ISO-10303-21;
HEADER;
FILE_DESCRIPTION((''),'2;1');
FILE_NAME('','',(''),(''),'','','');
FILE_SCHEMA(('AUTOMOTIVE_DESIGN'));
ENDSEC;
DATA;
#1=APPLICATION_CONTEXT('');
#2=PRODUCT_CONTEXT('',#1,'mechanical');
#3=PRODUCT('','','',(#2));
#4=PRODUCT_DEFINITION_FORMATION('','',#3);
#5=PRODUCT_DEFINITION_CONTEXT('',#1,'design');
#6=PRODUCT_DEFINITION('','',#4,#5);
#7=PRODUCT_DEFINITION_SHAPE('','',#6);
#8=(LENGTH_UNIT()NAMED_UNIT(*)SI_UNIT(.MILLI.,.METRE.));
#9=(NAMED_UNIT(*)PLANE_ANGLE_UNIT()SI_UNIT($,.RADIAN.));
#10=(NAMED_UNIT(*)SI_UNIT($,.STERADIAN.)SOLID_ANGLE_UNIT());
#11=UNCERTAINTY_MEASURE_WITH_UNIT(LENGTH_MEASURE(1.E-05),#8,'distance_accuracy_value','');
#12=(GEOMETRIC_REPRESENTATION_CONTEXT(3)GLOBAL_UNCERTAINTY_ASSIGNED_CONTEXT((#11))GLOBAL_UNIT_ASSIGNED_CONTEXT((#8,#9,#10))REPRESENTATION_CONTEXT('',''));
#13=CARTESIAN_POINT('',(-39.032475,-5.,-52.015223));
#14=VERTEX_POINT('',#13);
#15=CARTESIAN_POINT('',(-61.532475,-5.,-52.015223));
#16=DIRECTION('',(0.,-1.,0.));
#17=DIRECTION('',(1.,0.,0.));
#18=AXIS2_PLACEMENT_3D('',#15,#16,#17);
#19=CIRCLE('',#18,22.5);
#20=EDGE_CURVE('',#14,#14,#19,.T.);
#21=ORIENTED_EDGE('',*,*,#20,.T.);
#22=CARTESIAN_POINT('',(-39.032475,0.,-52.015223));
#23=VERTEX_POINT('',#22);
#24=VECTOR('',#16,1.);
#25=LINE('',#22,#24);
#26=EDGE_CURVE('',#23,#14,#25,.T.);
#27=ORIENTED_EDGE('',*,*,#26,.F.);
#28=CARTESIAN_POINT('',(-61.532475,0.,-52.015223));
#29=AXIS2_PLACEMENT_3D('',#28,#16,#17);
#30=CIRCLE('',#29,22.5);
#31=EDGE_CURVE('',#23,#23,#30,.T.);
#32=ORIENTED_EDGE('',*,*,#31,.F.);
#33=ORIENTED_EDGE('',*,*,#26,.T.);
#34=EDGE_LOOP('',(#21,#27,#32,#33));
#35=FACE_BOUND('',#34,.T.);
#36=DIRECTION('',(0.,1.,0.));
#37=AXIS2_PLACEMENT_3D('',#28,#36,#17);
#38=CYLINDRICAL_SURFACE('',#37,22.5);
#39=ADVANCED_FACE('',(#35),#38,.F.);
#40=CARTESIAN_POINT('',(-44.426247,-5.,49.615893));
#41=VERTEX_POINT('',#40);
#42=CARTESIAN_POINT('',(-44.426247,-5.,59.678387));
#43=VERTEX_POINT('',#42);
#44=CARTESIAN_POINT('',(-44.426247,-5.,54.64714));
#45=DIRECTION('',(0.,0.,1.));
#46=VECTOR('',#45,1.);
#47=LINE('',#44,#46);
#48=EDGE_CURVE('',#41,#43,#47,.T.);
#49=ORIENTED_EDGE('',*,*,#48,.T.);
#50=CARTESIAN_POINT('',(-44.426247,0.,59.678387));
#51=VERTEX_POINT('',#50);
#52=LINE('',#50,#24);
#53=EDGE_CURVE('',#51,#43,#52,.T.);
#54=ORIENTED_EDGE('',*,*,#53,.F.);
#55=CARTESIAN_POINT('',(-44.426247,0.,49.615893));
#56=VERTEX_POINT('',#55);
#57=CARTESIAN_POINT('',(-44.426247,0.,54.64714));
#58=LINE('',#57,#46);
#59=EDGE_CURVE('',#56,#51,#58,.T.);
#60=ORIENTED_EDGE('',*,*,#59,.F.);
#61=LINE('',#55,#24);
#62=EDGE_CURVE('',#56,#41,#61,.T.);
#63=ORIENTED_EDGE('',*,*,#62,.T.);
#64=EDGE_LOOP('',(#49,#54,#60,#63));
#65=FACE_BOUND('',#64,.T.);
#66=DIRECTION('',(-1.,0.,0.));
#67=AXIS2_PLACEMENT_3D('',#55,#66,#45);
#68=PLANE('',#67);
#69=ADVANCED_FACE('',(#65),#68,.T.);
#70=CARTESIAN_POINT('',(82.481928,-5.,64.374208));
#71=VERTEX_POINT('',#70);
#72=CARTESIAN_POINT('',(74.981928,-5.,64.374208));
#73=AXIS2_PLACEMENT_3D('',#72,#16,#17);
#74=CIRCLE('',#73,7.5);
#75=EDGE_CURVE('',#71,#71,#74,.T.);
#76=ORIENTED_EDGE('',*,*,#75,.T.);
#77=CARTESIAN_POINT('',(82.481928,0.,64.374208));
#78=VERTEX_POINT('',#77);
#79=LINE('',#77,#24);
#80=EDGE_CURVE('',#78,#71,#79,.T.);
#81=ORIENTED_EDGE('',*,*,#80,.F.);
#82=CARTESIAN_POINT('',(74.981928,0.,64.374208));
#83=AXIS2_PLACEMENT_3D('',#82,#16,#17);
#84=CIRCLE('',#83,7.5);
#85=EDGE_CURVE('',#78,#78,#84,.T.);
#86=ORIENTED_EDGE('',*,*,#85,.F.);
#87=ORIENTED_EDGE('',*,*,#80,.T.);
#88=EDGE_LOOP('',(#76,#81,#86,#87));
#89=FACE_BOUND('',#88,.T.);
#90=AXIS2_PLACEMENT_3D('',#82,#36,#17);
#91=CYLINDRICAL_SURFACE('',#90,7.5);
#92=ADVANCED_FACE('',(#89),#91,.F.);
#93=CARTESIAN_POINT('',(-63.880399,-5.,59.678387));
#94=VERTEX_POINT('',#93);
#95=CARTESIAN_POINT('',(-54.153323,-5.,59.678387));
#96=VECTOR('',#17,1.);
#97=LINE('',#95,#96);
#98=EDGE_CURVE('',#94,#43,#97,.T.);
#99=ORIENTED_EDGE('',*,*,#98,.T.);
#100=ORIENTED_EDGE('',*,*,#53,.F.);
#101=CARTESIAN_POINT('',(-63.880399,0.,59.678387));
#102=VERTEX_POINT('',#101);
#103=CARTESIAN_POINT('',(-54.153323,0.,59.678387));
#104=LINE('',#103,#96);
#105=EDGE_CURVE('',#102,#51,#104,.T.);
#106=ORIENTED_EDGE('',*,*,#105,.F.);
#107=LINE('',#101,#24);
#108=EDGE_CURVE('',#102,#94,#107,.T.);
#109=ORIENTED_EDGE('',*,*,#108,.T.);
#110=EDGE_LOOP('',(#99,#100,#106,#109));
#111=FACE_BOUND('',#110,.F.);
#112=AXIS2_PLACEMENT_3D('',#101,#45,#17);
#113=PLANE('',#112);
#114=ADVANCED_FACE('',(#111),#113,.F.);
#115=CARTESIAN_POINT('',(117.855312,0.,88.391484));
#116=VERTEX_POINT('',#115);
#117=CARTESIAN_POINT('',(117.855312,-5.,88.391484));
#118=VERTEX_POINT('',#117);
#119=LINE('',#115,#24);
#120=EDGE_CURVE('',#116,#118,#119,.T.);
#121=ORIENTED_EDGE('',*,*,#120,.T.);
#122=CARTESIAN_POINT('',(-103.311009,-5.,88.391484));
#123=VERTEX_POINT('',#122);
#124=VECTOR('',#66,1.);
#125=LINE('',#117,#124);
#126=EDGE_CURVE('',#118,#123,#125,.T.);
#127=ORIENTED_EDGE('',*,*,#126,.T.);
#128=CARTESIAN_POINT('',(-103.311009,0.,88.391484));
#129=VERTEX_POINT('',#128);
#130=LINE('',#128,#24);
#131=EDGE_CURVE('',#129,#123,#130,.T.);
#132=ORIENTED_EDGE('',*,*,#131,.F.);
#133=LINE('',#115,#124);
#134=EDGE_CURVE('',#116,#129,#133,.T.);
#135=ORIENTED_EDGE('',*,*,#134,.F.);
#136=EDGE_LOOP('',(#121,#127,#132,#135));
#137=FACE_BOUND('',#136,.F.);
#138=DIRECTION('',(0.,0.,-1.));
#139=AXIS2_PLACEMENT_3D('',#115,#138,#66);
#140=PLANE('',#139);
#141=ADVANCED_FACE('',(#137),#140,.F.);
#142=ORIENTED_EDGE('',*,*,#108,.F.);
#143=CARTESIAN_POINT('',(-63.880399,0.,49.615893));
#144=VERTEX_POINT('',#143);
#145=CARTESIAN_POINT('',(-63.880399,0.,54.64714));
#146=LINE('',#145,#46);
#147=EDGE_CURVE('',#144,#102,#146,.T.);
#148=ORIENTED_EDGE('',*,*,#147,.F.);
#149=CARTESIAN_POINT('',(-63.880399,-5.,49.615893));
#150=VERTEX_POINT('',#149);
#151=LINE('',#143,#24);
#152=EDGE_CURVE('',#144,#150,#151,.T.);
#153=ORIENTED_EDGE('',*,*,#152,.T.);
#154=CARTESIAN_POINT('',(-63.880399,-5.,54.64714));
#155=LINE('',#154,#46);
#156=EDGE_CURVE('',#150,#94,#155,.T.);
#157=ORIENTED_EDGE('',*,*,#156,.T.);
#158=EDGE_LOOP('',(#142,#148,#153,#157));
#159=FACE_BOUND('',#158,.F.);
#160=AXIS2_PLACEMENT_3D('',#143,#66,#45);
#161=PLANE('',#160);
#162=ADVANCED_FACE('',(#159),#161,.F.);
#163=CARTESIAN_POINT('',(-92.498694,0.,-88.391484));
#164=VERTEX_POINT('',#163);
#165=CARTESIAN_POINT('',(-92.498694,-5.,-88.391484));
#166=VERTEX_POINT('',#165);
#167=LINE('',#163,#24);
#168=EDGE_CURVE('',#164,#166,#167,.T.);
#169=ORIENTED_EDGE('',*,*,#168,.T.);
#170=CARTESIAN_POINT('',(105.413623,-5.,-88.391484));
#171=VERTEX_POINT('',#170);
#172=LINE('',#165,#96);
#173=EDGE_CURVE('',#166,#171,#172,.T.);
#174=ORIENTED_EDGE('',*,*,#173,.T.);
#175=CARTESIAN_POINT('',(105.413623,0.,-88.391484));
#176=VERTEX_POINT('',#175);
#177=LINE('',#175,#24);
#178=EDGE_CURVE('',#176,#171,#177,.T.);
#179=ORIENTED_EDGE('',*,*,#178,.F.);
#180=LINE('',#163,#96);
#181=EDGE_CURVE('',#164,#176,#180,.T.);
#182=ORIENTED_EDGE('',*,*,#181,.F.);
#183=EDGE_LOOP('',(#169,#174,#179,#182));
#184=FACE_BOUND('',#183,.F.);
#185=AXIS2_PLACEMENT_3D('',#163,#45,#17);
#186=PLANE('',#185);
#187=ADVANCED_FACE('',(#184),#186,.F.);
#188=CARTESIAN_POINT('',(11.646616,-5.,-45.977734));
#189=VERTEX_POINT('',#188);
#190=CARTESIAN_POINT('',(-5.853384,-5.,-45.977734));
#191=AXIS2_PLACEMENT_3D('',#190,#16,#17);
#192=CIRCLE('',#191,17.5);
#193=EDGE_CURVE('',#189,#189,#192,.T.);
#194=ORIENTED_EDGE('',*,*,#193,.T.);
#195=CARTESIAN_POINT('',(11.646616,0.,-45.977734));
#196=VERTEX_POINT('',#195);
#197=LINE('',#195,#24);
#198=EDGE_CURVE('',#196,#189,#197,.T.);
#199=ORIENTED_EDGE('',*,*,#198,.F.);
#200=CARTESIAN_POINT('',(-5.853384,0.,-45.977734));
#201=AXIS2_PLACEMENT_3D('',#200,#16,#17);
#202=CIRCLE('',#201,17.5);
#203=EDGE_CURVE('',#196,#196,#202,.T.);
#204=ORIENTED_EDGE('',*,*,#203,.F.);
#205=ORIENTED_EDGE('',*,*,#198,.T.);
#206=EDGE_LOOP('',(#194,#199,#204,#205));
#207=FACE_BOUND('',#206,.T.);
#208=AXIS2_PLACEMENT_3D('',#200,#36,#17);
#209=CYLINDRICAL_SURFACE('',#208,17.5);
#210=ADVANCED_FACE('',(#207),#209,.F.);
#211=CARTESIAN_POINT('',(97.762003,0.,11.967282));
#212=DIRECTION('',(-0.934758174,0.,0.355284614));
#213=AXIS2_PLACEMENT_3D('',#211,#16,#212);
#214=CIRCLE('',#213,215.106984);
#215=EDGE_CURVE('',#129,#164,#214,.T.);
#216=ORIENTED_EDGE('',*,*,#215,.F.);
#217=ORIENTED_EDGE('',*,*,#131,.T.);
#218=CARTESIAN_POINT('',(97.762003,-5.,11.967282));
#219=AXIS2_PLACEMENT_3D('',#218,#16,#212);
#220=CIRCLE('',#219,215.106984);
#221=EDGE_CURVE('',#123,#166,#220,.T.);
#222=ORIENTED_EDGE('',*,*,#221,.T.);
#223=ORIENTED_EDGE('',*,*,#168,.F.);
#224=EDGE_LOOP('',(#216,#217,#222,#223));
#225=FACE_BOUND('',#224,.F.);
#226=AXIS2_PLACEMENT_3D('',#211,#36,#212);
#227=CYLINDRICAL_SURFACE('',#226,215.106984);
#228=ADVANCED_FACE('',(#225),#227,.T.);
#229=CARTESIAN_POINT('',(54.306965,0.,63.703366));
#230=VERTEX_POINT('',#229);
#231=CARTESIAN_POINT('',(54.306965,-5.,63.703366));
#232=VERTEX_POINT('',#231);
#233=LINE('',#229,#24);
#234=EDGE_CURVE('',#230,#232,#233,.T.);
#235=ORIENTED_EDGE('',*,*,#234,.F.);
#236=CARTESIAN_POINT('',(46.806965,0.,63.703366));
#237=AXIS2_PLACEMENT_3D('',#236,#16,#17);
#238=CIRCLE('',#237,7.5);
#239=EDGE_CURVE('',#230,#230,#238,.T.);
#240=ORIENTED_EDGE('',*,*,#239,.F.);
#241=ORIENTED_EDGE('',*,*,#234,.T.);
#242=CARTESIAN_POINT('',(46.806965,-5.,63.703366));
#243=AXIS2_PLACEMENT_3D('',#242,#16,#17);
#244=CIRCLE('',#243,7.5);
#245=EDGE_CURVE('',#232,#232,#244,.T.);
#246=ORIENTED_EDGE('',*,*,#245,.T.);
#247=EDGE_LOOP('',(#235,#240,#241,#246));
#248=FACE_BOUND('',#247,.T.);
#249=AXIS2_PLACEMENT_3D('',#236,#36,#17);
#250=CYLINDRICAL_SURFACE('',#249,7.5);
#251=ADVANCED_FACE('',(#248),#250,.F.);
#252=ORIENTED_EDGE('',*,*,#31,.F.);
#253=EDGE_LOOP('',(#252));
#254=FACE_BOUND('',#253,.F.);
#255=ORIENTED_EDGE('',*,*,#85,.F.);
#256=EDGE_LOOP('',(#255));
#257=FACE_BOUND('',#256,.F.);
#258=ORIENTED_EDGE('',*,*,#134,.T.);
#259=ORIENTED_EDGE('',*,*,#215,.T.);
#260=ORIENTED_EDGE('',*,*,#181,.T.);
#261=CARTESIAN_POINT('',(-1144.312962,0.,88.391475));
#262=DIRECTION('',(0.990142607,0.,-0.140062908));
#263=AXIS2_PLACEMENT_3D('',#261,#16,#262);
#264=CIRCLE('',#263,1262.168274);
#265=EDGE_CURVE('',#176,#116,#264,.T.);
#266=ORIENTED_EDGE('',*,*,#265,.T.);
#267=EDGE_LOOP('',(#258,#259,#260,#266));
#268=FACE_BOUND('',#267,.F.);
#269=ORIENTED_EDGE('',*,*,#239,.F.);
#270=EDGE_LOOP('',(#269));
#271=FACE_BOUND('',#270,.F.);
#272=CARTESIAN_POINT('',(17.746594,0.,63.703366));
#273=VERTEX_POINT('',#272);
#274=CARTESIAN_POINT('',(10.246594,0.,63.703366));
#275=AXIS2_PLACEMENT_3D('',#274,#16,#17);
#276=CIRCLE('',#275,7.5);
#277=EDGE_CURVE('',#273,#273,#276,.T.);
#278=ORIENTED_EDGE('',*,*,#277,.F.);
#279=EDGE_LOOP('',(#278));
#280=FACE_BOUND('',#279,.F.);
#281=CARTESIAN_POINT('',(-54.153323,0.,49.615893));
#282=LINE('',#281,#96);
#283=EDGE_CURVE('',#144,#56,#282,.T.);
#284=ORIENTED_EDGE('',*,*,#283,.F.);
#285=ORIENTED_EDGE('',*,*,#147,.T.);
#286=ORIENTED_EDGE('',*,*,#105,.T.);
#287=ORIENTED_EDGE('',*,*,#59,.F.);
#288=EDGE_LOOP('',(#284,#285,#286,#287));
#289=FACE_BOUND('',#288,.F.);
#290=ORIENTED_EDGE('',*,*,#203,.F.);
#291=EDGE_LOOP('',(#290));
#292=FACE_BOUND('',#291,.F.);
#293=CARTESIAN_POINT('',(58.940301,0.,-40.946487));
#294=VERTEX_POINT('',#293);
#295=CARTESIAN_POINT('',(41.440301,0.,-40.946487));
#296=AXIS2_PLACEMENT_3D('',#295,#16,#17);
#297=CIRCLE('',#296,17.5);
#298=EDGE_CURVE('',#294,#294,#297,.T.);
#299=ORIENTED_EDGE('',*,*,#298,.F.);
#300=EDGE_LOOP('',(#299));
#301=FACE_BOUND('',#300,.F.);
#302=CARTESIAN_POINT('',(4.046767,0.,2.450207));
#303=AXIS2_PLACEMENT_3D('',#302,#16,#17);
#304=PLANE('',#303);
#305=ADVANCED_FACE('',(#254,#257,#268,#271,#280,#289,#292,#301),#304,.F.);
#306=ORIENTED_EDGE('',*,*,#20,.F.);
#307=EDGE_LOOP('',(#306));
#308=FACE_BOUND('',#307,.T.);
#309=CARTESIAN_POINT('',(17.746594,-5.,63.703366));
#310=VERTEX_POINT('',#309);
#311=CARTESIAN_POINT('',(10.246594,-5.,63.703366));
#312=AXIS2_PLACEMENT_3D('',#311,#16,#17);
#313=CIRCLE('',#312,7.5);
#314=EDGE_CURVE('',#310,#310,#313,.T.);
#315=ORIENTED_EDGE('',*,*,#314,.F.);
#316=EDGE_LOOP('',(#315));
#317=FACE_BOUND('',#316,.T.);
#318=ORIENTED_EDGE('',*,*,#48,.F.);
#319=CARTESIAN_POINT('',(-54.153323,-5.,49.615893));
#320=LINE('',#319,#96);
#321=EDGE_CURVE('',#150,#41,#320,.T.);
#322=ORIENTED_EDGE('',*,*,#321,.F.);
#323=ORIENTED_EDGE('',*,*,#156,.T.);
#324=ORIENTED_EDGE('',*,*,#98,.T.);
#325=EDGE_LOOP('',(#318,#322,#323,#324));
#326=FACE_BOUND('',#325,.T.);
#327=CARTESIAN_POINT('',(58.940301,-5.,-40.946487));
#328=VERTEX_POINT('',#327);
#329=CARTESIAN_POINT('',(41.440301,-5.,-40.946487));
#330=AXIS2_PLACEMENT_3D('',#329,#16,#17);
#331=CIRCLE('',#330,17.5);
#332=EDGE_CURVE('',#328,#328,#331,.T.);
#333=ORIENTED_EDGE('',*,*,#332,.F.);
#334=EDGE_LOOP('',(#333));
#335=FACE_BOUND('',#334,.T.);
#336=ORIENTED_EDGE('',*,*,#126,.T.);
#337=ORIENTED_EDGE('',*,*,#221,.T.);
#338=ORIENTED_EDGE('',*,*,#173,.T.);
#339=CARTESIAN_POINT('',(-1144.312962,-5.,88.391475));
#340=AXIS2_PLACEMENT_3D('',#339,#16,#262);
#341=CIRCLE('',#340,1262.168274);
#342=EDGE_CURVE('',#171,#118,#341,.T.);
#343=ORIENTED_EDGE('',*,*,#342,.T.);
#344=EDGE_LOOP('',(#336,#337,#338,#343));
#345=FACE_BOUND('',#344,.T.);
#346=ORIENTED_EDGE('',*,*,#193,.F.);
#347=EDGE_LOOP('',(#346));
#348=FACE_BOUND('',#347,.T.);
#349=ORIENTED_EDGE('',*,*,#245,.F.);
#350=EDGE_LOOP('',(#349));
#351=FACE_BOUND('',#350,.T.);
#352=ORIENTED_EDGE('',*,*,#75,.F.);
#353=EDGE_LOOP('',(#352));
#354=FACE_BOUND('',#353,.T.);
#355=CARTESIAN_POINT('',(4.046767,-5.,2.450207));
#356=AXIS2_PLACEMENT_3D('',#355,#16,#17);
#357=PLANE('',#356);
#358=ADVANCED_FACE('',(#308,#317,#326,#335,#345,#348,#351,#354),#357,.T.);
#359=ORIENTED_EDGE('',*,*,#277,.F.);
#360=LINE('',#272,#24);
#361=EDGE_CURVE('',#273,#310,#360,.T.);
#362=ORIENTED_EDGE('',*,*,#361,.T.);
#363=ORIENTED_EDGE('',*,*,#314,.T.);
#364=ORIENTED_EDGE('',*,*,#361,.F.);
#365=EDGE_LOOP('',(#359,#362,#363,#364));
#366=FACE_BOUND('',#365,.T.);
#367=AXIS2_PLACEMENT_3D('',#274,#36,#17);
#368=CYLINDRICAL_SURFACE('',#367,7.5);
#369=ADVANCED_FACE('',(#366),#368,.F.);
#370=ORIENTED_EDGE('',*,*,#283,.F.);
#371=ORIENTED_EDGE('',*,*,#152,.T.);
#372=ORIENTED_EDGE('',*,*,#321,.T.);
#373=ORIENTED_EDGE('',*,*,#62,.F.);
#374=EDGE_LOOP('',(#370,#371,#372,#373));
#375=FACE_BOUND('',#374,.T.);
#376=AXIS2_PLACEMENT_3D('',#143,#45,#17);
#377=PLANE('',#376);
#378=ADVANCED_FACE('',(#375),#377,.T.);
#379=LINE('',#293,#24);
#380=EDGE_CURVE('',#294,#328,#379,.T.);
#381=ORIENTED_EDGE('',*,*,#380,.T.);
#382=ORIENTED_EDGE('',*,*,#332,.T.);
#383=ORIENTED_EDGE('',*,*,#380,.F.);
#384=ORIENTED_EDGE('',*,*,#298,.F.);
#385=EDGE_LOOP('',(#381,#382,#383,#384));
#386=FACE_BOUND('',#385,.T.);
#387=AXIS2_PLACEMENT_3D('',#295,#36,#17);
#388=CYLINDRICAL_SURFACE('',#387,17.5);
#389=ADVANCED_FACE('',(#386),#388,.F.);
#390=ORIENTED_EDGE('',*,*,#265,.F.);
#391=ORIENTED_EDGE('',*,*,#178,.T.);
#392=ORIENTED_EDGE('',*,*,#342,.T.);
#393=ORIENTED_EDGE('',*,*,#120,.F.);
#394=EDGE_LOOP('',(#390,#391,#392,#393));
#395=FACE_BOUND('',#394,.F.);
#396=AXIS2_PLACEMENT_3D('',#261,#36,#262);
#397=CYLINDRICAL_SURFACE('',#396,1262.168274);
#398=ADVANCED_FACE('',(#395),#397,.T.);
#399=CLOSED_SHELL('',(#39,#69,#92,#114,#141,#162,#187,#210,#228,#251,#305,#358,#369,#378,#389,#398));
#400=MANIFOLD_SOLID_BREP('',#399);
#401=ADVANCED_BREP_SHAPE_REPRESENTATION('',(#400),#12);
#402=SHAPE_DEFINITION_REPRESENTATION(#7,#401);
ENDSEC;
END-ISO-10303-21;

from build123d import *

# Parameters (mm, degrees)
F0_R     = 22.5
F0_R_2   = 17.5
F0_W     = 19.454152
F0_H     = 10.062493
F0_R_3   = 7.5
F1_DEPTH = 5


with BuildPart() as f1:
    # F0 (on Front) → F1 (new body)
    with BuildSketch(Plane.XZ):
        with BuildLine():
            Line((-92.498694, -88.391484), (105.413623, -88.391484))
            ThreePointArc((105.413623, -88.391484), (114.741048, -0.218636), (117.855312, 88.391484))
            Line((117.855312, 88.391484), (-103.311009, 88.391484))
            ThreePointArc((-103.311009, 88.391484), (-116.943778, -1.16445), (-92.498694, -88.391484))
        make_face()
        with Locations((-61.532475, -52.015223)):
            Circle(F0_R, mode=Mode.SUBTRACT)
        with Locations((-5.853384, -45.977734)):
            Circle(F0_R_2, mode=Mode.SUBTRACT)
        with Locations((41.440301, -40.946487)):
            Circle(F0_R_2, mode=Mode.SUBTRACT)
        with Locations((-54.153323, 54.64714)):
            Rectangle(F0_W, F0_H, mode=Mode.SUBTRACT)
        with Locations((10.246594, 63.703366)):
            Circle(F0_R_3, mode=Mode.SUBTRACT)
        with Locations((46.806965, 63.703366)):
            Circle(F0_R_3, mode=Mode.SUBTRACT)
        with Locations((74.981928, 64.374208)):
            Circle(F0_R_3, mode=Mode.SUBTRACT)
    extrude(amount=F1_DEPTH)


solid = f1.part
